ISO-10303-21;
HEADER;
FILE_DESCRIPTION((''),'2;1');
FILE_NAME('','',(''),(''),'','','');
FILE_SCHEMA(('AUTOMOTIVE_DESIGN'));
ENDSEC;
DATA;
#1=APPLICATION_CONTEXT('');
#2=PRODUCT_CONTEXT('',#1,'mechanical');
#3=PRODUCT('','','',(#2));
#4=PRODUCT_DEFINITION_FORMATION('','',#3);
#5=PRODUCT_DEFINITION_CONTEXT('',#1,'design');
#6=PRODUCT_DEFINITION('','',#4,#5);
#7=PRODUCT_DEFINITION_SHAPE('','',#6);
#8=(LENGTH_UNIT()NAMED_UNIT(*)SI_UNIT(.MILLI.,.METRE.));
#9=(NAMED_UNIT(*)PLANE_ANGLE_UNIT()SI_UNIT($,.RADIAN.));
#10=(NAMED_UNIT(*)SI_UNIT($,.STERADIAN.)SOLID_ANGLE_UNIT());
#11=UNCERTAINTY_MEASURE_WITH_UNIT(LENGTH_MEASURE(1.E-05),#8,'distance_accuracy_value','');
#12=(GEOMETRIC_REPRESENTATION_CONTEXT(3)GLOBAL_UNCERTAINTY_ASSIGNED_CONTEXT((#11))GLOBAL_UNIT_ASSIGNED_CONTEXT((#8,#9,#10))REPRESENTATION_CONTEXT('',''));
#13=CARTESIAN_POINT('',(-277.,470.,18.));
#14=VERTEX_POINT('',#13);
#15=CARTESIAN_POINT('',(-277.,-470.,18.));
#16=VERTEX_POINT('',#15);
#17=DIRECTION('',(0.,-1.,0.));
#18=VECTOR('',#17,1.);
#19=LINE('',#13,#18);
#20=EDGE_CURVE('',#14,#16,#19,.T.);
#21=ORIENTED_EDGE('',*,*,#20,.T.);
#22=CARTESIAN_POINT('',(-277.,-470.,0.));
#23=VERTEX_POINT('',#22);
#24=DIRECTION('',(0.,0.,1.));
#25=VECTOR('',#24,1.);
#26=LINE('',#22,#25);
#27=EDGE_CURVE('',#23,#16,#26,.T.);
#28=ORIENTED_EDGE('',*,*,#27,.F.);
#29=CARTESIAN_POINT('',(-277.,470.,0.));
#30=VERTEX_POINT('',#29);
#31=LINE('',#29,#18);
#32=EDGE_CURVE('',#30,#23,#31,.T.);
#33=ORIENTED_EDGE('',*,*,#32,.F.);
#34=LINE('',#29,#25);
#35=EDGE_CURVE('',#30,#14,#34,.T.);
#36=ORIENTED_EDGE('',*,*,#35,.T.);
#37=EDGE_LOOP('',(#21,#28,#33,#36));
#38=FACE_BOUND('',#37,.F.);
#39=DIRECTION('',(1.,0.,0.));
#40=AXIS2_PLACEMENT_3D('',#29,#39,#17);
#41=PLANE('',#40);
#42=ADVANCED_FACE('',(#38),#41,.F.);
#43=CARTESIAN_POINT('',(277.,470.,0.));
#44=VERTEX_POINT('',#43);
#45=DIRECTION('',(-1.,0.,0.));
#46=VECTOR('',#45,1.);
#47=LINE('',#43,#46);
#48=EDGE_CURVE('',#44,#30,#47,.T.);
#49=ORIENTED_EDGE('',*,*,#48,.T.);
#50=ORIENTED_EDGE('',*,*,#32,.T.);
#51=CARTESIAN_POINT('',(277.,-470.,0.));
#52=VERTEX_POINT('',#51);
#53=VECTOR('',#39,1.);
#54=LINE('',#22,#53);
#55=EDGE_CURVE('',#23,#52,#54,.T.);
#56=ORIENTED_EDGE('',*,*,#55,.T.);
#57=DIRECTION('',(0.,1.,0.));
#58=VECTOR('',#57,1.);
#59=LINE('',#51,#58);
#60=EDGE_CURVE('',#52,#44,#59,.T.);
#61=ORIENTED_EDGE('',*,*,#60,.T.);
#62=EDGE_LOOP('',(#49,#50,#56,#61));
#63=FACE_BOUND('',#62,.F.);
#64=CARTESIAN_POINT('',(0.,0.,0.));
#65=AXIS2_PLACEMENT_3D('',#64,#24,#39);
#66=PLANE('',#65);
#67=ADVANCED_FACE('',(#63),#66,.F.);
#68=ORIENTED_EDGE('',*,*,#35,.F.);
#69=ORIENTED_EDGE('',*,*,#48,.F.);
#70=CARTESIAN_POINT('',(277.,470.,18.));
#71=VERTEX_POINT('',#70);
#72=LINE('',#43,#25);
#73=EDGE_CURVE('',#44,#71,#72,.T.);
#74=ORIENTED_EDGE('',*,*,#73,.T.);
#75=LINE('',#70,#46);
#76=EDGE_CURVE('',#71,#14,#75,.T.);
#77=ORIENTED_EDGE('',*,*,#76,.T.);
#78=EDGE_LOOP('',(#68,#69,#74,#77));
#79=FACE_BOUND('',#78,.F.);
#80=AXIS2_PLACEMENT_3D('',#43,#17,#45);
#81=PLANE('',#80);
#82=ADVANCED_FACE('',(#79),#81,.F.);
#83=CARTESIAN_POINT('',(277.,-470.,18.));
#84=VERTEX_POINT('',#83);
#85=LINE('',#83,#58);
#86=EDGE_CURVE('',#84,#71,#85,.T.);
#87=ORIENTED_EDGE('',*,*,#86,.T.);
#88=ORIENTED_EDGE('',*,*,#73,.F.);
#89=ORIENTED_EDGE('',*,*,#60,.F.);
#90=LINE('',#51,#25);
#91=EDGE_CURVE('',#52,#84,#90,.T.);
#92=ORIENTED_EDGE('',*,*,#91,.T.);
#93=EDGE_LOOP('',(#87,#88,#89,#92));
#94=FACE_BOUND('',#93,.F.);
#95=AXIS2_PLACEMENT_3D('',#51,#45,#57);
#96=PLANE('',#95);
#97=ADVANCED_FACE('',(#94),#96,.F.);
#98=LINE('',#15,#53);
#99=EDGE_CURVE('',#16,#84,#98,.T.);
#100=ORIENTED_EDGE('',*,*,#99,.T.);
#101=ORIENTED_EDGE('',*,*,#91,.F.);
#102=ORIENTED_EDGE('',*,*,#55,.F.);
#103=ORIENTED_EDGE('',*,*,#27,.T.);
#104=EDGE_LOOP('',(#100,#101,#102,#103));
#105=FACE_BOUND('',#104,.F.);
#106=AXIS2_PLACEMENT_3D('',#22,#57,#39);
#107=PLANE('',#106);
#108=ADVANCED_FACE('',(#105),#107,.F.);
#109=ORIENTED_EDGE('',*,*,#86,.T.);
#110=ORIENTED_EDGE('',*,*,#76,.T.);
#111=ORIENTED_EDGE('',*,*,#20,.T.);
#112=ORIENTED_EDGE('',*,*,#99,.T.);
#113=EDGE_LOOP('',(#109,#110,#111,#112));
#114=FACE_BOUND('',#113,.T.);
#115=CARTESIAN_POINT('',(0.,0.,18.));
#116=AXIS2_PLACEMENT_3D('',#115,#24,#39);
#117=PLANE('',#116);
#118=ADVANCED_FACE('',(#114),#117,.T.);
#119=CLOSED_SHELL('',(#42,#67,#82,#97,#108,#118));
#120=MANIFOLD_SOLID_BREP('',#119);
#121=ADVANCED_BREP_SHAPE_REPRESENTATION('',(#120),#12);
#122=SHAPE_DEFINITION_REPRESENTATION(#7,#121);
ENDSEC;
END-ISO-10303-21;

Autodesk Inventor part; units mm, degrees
ref_plane "YZ Plane" through (0, 0, 0) normal (1, 0, 0) x (0, 1, 0)
ref_plane "XZ Plane" through (0, 0, 0) normal (0, 1, 0) x (-1, 0, 0)
ref_plane "XY Plane" through (0, 0, 0) normal (0, 0, 1) x (1, 0, 0)
sketch "Sketch1" plane through (0, 0, 0) normal (0, 0, 1) x (1, 0, 0)
  line L0 (-277, -470) -> (277, -470)
  line L1 (277, -470) -> (277, 470)
  line L2 (277, 470) -> (-277, 470)
  line L3 (-277, 470) -> (-277, -470)
  line L4 (-277, -470) -> (277, 470) construction
  line L5 (277, -470) -> (-277, 470) construction
  point P0 (0, 0)
  dimension "d0" = 554
  dimension "d1" = 940
extrude "Extrusion1" add sketch "Sketch1" along normal blind 18
properties part number "wozek-tyl"
